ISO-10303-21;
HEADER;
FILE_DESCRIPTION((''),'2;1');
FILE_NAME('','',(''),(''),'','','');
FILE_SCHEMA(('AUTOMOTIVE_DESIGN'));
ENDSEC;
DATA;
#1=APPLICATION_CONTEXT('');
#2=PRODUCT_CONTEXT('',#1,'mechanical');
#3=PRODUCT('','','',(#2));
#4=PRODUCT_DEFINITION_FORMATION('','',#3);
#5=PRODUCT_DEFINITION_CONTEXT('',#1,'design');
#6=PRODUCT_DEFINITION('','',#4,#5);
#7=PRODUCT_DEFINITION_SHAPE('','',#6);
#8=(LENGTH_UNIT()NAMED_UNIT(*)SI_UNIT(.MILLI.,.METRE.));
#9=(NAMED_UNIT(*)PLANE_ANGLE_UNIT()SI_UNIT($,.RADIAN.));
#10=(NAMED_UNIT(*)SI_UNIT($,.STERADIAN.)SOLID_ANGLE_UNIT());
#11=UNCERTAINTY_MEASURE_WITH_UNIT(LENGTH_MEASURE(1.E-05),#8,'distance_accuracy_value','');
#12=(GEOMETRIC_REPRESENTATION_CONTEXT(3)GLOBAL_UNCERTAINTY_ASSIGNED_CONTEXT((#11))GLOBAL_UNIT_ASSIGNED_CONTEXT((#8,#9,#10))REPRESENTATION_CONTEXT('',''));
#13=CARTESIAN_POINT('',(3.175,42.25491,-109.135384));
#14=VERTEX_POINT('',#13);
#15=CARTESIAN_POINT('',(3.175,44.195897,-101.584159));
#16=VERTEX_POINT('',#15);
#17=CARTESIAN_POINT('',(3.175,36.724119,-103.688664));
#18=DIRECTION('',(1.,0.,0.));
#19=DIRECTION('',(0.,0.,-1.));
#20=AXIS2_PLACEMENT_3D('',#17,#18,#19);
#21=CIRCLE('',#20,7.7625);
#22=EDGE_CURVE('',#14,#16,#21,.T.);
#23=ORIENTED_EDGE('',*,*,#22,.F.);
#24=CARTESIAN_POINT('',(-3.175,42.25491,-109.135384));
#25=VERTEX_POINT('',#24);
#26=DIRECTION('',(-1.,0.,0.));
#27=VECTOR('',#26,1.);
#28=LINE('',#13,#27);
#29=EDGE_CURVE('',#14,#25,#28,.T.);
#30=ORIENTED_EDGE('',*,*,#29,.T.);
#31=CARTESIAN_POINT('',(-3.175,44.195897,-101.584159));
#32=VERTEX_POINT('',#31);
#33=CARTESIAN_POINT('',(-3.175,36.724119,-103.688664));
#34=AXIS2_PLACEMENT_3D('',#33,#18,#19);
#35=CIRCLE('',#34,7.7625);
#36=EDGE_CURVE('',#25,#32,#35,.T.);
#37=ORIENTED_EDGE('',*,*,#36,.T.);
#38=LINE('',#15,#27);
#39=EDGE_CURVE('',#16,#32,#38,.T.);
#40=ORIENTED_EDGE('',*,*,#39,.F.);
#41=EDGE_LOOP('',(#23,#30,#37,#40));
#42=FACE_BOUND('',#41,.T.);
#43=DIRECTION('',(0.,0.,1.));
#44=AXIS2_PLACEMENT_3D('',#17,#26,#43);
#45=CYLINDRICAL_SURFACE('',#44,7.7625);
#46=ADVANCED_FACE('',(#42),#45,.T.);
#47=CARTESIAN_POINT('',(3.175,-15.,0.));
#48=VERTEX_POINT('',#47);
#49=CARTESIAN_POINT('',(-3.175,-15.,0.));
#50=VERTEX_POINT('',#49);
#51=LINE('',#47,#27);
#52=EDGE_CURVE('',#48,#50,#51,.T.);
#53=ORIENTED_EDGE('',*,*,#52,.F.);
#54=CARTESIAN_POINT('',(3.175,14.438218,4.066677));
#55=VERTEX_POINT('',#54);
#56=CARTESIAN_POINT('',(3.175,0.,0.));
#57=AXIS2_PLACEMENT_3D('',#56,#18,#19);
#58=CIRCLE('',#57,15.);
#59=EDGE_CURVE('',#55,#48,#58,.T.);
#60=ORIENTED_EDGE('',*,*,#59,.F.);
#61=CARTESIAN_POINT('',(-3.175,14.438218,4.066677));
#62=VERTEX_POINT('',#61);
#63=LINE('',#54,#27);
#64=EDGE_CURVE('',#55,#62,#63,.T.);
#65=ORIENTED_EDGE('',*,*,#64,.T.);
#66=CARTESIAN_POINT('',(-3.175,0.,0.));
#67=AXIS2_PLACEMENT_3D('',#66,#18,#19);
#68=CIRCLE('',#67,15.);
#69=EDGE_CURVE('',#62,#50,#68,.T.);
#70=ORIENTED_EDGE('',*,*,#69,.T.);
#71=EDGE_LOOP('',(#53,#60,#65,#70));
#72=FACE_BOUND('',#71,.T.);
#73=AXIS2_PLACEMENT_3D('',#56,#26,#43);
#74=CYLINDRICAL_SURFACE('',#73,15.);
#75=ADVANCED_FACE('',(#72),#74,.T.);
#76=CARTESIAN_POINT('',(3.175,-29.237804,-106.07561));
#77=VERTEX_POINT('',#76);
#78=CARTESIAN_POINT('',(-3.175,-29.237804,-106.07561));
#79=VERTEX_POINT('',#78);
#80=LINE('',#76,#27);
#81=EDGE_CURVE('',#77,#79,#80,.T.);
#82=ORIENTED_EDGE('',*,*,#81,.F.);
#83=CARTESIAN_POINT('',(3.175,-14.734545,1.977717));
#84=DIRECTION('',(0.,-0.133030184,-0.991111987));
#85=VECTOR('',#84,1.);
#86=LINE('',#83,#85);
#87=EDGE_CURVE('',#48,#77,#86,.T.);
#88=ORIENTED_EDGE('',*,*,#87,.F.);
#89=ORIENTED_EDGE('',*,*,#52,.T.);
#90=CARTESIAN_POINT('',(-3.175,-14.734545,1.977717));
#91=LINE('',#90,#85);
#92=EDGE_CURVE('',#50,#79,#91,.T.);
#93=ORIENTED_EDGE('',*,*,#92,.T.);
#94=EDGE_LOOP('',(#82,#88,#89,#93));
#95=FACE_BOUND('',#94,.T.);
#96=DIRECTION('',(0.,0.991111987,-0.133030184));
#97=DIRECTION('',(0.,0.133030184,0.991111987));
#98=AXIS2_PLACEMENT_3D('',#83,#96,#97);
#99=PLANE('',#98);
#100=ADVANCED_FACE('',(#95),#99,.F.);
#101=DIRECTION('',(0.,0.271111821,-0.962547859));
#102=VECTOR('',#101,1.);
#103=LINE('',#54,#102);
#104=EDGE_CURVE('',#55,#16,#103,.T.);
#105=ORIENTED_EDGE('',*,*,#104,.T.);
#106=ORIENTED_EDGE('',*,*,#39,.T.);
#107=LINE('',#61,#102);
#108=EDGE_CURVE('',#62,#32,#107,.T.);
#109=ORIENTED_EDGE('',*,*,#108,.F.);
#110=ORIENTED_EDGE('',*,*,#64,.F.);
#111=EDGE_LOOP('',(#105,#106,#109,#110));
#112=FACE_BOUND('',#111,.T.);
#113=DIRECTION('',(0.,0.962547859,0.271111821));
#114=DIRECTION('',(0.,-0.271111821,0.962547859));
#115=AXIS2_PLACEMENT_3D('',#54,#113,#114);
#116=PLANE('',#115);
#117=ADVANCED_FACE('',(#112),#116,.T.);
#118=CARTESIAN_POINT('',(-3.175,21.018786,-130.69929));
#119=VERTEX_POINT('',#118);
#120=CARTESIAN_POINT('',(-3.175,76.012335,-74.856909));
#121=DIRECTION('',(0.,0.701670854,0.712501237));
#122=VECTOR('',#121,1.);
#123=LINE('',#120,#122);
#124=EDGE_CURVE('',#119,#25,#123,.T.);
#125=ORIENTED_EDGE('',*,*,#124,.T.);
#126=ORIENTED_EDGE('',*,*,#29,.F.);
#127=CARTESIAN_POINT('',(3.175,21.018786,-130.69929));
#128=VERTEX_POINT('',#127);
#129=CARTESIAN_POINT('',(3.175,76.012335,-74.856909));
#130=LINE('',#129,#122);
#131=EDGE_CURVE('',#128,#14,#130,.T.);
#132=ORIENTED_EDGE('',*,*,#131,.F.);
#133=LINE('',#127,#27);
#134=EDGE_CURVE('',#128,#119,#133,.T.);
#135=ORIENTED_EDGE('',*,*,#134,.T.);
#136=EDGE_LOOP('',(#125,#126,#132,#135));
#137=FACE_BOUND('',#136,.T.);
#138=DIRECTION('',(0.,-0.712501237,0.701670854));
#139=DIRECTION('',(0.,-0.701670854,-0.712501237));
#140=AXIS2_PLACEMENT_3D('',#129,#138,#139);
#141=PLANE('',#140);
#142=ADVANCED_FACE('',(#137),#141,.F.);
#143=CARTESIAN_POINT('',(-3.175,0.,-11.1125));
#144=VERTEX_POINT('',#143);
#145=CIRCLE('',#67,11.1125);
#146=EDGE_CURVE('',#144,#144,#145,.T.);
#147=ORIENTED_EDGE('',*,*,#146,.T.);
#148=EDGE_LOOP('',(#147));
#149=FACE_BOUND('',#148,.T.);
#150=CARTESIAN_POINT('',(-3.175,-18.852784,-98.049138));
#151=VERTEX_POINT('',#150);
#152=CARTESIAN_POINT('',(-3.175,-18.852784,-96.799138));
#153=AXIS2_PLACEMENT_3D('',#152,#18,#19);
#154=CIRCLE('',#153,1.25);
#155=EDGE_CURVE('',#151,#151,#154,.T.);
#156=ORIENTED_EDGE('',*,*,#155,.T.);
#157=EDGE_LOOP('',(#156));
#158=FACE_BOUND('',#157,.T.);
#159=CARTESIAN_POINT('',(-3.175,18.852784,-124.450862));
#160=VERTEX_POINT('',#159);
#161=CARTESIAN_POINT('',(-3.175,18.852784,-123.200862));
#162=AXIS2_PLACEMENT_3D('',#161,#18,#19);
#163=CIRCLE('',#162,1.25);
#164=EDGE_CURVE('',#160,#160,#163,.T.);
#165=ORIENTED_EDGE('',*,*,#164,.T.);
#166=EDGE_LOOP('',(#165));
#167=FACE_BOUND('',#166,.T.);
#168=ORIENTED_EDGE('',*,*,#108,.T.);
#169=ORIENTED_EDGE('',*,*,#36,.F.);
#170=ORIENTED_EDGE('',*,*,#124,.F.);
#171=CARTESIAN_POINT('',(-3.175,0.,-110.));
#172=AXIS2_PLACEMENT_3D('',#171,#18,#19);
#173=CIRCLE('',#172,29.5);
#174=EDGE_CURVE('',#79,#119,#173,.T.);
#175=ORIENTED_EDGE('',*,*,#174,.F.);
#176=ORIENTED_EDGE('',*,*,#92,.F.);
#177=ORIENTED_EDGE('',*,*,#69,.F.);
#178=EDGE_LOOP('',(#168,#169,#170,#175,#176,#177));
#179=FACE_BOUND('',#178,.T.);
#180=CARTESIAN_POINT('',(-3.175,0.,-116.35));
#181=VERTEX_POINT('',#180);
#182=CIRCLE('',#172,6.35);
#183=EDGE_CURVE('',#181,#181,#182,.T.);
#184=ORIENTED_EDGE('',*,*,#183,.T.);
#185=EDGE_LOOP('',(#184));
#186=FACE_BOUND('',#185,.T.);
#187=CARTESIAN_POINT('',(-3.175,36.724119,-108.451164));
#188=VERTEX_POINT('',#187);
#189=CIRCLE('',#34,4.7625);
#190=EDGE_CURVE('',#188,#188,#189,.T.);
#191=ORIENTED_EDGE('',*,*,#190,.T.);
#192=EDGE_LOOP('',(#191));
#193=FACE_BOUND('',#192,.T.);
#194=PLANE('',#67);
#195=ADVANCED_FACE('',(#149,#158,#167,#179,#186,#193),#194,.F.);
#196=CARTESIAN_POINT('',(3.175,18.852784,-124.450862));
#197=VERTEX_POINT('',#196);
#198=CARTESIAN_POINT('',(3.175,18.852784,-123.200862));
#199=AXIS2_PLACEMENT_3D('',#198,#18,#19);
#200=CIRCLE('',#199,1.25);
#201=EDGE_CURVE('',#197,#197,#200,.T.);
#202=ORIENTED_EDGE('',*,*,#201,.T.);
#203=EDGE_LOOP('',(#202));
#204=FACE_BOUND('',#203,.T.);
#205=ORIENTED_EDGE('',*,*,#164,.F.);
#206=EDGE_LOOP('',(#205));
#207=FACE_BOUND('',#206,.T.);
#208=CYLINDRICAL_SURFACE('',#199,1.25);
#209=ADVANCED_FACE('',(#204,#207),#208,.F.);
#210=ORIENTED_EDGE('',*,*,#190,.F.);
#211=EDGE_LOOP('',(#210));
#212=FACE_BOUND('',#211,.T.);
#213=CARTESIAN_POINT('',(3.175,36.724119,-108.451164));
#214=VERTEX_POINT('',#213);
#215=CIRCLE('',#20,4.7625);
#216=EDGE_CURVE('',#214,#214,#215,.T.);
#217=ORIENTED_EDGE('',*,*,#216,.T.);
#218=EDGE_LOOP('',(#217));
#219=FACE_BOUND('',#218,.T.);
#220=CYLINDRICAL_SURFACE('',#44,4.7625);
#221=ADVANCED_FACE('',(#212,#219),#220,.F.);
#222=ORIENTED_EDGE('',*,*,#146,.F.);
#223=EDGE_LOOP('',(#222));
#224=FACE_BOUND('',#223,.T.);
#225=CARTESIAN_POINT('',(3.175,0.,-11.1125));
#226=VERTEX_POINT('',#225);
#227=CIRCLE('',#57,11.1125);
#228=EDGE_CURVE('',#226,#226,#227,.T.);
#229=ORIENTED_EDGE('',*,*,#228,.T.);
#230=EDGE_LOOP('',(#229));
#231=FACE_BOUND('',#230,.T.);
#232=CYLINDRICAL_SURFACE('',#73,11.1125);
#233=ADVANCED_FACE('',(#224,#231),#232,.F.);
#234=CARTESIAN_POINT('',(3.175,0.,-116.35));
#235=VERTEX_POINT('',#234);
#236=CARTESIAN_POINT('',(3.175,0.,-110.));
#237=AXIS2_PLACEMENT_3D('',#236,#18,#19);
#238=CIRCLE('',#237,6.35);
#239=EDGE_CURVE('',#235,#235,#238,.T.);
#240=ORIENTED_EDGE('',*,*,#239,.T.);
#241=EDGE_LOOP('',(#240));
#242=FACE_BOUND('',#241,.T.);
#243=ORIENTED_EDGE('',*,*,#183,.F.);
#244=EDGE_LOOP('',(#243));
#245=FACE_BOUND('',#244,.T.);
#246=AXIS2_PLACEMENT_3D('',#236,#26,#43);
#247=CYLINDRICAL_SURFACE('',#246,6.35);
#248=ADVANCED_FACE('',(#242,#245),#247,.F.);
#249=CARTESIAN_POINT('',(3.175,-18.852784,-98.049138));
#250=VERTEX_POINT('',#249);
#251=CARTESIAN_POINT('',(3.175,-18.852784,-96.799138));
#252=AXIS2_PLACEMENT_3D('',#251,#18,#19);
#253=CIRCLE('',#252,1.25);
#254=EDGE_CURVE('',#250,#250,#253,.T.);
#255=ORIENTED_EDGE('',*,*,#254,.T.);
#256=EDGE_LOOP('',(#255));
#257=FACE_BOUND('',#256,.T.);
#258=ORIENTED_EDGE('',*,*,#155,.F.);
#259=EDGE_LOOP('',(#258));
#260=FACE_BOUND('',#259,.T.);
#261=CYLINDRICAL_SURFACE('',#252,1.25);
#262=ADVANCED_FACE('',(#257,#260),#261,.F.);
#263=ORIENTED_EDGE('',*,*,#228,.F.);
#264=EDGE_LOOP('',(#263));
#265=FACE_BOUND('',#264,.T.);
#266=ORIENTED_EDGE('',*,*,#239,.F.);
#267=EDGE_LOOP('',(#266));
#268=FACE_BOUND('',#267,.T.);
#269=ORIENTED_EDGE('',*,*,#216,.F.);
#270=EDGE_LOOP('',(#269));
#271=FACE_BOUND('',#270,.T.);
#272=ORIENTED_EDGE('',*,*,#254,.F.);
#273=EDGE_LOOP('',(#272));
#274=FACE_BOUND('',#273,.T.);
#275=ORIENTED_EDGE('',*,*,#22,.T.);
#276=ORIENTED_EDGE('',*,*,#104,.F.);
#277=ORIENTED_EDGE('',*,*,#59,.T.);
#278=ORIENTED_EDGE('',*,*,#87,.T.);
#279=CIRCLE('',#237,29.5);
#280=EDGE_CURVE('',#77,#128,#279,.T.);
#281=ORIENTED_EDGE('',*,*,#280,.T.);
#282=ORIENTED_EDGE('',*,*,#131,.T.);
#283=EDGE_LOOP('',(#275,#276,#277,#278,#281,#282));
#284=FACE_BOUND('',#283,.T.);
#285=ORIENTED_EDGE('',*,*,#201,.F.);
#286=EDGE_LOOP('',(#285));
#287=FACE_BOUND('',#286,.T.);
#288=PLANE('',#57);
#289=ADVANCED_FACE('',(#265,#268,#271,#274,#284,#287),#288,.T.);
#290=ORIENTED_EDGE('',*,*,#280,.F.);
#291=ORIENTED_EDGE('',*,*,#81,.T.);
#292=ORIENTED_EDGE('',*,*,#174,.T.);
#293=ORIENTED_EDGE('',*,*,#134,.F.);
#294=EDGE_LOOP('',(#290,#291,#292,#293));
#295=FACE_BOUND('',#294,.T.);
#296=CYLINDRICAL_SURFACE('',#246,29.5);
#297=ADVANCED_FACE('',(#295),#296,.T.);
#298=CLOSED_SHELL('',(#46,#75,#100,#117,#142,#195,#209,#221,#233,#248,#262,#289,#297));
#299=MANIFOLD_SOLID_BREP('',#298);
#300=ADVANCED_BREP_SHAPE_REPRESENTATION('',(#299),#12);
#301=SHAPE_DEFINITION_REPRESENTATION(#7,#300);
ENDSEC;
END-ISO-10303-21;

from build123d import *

# Parameters (mm, degrees)
SKETCH1_R             = 11.1125
SKETCH1_R_2           = 6.35
SKETCH1_R_3           = 4.7625
BOSS_EXTRUDE1_DEPTH   = 3.175
M3X0_5_TAPPED_HOLE1_D = 2.5


with BuildPart() as part:
    # Sketch1 → Boss-Extrude1 (new, symmetric)
    with BuildSketch(Plane(origin=(0, 0, 0), x_dir=(0, 0, -1), z_dir=(1, 0, 0))):
        with BuildLine():
            ThreePointArc((109.135384069, 42.254910239), (105.621138378, 44.242227481), (101.584158555, 44.195897144))
            Line((101.584158555, 44.195897144), (-4.066677309, 14.438217884))
            ThreePointArc((-4.066677309, 14.438217884), (-14.858890744, -2.052648501), (0, -15))
            Line((0, -15), (106.075609583, -29.237803609))
            ThreePointArc((106.075609583, -29.237803609), (136.491140548, -12.979579055), (130.699290202, 21.018786481))
            Line((130.699290202, 21.018786481), (109.135384069, 42.254910239))
        make_face()
        Circle(SKETCH1_R, mode=Mode.SUBTRACT)
        with Locations((110, 0)):
            Circle(SKETCH1_R_2, mode=Mode.SUBTRACT)
        with Locations((103.688664063, 36.724119389)):
            Circle(SKETCH1_R_3, mode=Mode.SUBTRACT)
    extrude(amount=BOSS_EXTRUDE1_DEPTH, both=True)

    # M3x0.5 Tapped Hole1 (through all)
    with Locations(Plane(origin=(3.175, 0, 0), x_dir=(0, 0, -1), z_dir=(1, 0, 0))):
        with Locations((123.200861683, 18.852784299), (110, 0), (96.799138317, -18.852784299)):
            Hole(M3X0_5_TAPPED_HOLE1_D / 2)


solid = part.part
